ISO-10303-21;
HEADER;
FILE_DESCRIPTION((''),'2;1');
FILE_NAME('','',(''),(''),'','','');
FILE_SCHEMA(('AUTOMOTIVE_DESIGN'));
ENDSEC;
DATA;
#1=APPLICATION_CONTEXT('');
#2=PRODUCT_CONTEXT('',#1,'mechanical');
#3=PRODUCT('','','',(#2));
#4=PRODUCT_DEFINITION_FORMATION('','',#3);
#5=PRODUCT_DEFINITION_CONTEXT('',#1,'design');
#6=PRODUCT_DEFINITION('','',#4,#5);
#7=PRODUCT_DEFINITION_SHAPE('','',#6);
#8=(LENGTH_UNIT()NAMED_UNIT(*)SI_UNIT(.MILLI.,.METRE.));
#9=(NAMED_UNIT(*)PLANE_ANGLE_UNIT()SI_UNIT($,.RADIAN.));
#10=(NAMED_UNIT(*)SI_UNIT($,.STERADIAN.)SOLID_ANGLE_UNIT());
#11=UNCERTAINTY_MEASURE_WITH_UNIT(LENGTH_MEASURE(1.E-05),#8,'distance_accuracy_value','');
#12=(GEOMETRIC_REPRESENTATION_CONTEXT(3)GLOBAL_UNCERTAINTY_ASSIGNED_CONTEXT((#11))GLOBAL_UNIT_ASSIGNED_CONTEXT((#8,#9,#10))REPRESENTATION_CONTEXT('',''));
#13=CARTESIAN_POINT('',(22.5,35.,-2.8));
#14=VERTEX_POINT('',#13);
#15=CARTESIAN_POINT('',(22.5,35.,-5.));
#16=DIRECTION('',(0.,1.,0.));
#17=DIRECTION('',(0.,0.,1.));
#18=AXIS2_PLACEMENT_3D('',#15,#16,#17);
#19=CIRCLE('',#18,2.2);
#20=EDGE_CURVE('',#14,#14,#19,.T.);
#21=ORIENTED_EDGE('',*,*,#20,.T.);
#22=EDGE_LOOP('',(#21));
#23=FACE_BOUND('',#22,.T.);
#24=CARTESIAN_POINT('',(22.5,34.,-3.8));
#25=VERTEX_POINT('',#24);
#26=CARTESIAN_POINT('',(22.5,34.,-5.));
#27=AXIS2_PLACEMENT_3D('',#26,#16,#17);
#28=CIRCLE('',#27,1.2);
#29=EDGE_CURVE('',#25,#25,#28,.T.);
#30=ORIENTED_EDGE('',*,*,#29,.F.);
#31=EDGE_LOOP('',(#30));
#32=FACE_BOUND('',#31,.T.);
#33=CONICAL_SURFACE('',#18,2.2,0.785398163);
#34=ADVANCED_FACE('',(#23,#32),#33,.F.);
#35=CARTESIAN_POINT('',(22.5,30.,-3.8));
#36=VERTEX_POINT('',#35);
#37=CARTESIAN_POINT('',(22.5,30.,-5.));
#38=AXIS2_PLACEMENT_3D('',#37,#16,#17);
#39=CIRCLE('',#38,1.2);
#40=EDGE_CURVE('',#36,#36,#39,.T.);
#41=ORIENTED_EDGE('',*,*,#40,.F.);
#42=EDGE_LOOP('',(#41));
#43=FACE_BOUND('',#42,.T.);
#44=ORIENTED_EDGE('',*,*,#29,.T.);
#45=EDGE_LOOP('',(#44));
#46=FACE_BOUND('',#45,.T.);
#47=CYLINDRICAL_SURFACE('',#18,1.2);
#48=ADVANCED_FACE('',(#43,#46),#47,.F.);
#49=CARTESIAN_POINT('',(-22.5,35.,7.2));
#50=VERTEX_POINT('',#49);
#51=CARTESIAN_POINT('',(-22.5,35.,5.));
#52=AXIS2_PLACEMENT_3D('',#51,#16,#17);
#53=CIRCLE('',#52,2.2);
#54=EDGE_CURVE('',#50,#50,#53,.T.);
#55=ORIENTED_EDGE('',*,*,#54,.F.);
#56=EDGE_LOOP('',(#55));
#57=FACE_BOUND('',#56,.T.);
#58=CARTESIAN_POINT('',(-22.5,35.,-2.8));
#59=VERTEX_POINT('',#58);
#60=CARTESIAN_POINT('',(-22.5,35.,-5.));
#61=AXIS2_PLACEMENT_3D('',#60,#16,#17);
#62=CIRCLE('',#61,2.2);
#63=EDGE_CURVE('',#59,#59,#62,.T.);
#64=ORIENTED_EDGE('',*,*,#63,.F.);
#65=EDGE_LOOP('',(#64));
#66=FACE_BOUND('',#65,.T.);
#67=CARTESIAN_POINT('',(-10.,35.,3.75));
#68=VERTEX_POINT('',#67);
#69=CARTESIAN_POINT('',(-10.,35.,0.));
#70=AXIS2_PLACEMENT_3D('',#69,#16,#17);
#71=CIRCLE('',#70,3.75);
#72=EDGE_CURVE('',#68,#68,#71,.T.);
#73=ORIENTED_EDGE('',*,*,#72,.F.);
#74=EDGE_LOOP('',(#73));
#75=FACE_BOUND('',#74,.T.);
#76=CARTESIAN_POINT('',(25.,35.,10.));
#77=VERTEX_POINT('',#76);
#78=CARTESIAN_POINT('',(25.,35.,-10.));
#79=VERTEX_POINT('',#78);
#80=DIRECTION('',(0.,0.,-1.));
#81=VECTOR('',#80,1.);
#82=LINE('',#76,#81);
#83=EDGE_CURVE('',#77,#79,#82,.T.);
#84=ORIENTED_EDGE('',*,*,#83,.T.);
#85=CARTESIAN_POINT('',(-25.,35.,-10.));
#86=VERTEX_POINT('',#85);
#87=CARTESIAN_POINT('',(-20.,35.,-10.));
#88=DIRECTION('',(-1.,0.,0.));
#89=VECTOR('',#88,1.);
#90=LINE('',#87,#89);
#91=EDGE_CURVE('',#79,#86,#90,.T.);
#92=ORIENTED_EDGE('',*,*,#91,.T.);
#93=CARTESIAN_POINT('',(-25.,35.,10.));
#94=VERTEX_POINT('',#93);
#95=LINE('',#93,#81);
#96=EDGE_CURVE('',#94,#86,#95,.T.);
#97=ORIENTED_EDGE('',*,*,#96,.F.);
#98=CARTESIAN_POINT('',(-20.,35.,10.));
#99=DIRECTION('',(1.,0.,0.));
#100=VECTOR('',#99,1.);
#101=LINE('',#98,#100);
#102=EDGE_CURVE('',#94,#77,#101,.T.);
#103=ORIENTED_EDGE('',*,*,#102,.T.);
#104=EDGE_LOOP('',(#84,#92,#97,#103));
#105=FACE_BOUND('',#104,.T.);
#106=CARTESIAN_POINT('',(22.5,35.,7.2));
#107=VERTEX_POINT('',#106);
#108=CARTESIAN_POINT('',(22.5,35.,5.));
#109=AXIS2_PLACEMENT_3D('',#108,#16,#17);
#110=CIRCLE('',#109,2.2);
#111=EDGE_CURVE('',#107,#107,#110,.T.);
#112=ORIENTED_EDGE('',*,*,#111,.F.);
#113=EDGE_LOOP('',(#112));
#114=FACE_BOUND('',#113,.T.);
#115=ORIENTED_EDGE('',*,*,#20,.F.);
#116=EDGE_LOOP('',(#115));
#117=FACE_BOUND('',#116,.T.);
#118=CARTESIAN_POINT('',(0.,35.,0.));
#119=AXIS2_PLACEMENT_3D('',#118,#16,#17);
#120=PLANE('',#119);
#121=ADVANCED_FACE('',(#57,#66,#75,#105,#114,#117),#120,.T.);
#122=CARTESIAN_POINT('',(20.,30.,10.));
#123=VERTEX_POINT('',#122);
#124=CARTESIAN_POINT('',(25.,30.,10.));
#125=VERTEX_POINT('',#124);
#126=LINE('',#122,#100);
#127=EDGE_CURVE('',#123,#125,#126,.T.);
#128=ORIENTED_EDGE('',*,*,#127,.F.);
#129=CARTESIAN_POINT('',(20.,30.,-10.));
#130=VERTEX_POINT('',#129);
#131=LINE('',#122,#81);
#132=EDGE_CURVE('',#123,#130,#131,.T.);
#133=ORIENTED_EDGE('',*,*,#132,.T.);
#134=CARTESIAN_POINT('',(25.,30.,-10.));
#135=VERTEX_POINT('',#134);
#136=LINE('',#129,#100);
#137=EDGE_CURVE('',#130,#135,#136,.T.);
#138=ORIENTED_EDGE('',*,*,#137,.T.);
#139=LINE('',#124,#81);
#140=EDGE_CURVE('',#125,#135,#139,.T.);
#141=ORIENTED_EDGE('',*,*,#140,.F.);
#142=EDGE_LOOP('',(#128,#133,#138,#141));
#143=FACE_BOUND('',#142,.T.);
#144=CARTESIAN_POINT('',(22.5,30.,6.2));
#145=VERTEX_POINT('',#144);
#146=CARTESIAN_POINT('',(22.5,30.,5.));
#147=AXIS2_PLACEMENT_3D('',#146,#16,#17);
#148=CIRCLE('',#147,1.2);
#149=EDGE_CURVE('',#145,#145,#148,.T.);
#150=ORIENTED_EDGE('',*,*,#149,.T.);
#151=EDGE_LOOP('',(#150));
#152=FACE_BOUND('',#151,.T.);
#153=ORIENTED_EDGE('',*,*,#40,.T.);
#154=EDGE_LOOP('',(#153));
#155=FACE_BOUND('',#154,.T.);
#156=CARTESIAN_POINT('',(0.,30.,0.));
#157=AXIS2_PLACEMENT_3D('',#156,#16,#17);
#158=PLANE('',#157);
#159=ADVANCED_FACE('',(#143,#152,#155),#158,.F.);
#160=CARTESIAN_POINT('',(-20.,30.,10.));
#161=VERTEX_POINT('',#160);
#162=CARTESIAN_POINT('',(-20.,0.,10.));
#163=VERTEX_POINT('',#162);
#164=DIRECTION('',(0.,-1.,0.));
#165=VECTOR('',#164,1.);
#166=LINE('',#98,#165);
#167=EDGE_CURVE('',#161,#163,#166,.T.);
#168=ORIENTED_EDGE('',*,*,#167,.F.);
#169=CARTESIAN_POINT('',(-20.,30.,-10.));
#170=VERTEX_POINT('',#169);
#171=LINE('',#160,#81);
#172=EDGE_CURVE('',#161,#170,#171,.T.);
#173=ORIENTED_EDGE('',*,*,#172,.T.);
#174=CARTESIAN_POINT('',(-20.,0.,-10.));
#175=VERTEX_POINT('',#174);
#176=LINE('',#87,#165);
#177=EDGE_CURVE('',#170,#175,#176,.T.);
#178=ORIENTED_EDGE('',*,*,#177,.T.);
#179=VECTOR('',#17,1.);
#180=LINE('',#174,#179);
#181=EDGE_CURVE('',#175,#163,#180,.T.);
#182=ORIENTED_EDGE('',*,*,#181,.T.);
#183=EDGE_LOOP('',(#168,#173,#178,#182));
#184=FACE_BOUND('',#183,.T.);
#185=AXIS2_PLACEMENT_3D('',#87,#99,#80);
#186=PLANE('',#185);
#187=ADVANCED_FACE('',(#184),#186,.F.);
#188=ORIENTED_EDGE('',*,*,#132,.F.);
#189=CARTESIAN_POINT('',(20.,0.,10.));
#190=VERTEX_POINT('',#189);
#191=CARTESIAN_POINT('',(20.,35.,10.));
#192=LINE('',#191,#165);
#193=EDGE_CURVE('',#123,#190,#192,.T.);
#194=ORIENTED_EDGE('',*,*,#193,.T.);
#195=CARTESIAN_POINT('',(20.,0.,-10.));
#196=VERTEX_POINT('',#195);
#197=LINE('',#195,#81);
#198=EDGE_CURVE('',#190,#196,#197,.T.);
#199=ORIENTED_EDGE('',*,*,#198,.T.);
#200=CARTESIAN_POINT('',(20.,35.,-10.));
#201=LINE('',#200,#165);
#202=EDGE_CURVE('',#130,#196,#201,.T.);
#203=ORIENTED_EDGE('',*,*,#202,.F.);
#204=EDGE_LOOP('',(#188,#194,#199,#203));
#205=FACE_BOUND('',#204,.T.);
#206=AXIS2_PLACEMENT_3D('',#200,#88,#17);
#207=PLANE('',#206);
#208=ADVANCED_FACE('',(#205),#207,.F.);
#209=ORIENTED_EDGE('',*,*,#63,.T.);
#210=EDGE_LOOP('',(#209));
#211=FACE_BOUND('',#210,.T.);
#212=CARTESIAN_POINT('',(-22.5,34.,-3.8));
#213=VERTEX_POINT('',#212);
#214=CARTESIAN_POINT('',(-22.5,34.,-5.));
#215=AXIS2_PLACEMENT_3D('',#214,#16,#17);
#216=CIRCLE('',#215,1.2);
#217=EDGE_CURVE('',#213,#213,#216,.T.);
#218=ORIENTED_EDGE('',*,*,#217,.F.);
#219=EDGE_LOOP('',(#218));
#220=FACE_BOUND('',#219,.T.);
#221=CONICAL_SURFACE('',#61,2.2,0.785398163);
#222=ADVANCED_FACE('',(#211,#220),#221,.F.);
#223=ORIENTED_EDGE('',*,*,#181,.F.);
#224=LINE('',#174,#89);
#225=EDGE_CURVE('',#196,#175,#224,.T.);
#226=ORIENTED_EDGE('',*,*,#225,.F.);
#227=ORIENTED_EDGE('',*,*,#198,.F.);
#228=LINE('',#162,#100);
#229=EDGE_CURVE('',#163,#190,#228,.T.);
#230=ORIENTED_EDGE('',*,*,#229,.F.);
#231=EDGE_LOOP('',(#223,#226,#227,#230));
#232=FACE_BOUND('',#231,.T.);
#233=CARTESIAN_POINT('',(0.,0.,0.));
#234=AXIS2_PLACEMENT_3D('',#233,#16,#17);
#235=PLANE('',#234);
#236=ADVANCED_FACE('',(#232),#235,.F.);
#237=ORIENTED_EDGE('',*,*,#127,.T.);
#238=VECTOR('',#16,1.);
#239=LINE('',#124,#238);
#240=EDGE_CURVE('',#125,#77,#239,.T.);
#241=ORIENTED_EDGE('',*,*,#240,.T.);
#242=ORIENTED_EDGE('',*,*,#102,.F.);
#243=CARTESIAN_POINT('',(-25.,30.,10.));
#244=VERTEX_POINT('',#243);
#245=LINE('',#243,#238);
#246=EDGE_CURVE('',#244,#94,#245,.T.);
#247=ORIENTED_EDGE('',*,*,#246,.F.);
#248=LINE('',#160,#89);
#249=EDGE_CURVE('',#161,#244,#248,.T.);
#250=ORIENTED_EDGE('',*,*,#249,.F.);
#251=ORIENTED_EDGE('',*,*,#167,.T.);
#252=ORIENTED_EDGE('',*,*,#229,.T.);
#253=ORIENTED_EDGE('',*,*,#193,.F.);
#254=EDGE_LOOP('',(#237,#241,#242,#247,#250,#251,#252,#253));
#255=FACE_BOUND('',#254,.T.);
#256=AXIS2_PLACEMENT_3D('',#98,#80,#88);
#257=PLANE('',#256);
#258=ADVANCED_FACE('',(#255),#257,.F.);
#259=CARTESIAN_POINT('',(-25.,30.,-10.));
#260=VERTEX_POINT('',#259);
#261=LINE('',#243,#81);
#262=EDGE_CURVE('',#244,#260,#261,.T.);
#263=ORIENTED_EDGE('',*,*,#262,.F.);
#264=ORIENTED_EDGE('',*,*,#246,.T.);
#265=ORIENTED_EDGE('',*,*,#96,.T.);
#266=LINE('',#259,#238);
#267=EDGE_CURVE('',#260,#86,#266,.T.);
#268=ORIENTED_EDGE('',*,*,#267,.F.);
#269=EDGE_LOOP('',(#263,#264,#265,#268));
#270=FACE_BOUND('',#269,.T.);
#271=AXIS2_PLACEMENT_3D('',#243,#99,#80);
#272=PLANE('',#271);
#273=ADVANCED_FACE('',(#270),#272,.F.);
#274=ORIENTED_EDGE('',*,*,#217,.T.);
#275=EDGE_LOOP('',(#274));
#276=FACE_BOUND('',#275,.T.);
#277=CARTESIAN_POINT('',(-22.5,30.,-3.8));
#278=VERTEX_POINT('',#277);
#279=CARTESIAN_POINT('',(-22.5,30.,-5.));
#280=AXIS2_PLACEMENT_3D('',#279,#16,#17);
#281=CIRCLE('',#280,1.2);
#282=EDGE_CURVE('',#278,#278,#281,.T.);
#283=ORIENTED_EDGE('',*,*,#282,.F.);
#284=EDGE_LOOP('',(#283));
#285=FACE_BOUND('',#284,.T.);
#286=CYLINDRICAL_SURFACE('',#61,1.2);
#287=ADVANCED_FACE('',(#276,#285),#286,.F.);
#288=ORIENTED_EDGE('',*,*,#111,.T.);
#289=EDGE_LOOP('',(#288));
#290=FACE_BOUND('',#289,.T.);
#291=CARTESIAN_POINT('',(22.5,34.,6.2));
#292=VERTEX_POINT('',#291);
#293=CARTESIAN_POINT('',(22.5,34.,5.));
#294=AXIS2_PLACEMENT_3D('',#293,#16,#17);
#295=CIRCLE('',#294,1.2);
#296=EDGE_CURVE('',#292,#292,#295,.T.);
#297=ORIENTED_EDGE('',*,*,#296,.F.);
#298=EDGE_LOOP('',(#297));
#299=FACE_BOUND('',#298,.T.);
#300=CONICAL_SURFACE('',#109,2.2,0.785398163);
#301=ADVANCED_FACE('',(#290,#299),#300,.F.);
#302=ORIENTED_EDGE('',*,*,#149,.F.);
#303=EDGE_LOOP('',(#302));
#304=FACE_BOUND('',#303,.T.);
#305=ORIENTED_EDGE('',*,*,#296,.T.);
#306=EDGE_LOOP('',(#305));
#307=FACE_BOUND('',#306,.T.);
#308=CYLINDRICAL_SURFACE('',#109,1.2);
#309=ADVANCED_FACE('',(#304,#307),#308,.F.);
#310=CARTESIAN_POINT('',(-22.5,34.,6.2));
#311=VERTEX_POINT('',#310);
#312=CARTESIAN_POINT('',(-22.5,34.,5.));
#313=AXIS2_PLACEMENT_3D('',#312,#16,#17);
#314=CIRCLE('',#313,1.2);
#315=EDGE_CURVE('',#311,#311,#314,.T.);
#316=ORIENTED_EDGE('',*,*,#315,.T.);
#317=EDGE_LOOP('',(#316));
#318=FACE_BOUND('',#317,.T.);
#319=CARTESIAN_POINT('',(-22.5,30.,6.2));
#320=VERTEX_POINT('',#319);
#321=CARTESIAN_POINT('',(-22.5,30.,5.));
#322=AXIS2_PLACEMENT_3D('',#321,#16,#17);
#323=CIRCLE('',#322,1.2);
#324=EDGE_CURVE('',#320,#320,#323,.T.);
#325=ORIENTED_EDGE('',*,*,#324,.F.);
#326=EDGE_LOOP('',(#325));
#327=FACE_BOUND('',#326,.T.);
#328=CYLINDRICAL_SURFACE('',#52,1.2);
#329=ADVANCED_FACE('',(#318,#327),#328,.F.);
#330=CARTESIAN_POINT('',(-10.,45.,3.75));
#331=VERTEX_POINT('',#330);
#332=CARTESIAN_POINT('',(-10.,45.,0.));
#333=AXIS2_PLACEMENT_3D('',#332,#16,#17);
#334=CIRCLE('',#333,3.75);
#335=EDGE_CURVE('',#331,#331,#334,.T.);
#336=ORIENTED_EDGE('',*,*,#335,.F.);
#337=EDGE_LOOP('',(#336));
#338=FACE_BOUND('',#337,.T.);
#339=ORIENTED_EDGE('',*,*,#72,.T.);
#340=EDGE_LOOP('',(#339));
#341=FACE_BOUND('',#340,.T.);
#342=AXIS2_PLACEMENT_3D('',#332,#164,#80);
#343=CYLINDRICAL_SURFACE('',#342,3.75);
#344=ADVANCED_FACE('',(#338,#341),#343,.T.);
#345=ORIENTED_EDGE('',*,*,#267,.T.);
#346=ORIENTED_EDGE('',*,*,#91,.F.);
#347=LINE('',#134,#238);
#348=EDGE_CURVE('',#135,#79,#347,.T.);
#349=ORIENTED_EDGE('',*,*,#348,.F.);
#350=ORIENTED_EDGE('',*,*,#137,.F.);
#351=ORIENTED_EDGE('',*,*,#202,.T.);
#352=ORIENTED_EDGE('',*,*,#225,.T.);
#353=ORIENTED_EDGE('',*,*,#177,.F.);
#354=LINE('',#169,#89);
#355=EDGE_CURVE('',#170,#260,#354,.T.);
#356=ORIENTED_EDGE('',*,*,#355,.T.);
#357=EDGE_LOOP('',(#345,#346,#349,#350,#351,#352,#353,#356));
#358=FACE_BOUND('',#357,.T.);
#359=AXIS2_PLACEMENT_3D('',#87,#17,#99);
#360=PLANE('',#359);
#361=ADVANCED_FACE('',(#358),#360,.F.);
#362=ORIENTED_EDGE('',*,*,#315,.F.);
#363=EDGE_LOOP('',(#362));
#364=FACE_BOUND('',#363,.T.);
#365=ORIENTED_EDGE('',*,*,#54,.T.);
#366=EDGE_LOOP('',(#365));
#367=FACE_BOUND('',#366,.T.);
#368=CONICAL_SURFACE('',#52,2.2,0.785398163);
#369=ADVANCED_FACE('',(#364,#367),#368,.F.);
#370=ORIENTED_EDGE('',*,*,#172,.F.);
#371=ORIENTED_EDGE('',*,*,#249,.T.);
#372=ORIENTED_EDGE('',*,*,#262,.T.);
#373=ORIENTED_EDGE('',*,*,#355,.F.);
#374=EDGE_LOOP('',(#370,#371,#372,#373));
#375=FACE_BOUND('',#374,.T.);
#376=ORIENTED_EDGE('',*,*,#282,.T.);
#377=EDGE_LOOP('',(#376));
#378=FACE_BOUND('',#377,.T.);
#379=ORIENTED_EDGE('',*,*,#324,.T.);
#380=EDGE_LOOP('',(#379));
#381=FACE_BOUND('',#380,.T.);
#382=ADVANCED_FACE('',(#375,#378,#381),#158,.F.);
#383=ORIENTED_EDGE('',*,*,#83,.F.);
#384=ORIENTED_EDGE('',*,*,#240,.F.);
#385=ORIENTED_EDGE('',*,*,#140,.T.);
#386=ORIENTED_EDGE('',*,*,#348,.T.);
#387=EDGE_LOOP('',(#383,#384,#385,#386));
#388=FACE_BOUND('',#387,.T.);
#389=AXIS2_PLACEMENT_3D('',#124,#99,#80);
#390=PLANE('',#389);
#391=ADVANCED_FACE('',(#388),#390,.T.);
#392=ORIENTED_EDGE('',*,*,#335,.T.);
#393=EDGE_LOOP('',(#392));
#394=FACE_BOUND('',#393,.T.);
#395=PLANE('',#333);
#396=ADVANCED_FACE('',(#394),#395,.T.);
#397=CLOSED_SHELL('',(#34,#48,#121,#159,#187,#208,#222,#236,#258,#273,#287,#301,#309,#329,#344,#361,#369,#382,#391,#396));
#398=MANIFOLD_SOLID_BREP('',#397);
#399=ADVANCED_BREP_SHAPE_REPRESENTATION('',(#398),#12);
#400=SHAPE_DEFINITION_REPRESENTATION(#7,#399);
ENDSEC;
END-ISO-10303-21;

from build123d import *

# Parameters (mm, degrees)
SKETCH1_W                                       = 40
SKETCH1_H                                       = 20
BOSS_EXTRUDE1_DEPTH                             = 35
SKETCH2_W                                       = 5
SKETCH2_H                                       = 20
BOSS_EXTRUDE2_DEPTH                             = 5
SKETCH3_R                                       = 3.75
BOSS_EXTRUDE3_DEPTH                             = 10
CSK_FOR_M2_FLAT_HEAD_MACHINE_SCREW2_D           = 2.4
CSK_FOR_M2_FLAT_HEAD_MACHINE_SCREW2_CSINK_D     = 4.4
CSK_FOR_M2_FLAT_HEAD_MACHINE_SCREW2_CSINK_ANGLE = 90


with BuildPart() as part:
    # Sketch1 → Boss-Extrude1 (new body)
    with BuildSketch(Plane(origin=(0, 0, 0), x_dir=(1, 0, 0), z_dir=(0, 1, 0))):
        Rectangle(SKETCH1_W, SKETCH1_H)
    extrude(amount=BOSS_EXTRUDE1_DEPTH)

    # Sketch2 → Boss-Extrude2 (add)
    with BuildSketch(Plane(origin=(0, 35, 0), x_dir=(1, 0, 0), z_dir=(0, 1, 0))):
        with Locations((-22.5, 0)):
            Rectangle(SKETCH2_W, SKETCH2_H)
        with Locations((22.5, 0)):
            Rectangle(SKETCH2_W, SKETCH2_H)
    extrude(amount=-BOSS_EXTRUDE2_DEPTH)

    # Sketch3 → Boss-Extrude3 (add)
    with BuildSketch(Plane(origin=(0, 35, 0), x_dir=(1, 0, 0), z_dir=(0, 1, 0))):
        with Locations(Location((-10, 0, 0), (0, 0, 270))):
            Circle(SKETCH3_R)
    extrude(amount=BOSS_EXTRUDE3_DEPTH)

    # CSK for M2 Flat Head Machine Screw2 (through all)
    with Locations(Plane(origin=(0, 35, 0), x_dir=(1, 0, 0), z_dir=(0, 1, 0))):
        with Locations((22.5, -5), (22.5, 5)):
            csk_for_m2_flat_head_machine_screw2 = CounterSinkHole(CSK_FOR_M2_FLAT_HEAD_MACHINE_SCREW2_D / 2, CSK_FOR_M2_FLAT_HEAD_MACHINE_SCREW2_CSINK_D / 2, counter_sink_angle=CSK_FOR_M2_FLAT_HEAD_MACHINE_SCREW2_CSINK_ANGLE)

    # Mirror1: CSK for M2 Flat Head Machine Screw2 across plane
    add(csk_for_m2_flat_head_machine_screw2.mirror(Plane(origin=(0, 0, 0), x_dir=(0, 0, 1), z_dir=(1, 0, 0))), mode=Mode.SUBTRACT)


solid = part.part
